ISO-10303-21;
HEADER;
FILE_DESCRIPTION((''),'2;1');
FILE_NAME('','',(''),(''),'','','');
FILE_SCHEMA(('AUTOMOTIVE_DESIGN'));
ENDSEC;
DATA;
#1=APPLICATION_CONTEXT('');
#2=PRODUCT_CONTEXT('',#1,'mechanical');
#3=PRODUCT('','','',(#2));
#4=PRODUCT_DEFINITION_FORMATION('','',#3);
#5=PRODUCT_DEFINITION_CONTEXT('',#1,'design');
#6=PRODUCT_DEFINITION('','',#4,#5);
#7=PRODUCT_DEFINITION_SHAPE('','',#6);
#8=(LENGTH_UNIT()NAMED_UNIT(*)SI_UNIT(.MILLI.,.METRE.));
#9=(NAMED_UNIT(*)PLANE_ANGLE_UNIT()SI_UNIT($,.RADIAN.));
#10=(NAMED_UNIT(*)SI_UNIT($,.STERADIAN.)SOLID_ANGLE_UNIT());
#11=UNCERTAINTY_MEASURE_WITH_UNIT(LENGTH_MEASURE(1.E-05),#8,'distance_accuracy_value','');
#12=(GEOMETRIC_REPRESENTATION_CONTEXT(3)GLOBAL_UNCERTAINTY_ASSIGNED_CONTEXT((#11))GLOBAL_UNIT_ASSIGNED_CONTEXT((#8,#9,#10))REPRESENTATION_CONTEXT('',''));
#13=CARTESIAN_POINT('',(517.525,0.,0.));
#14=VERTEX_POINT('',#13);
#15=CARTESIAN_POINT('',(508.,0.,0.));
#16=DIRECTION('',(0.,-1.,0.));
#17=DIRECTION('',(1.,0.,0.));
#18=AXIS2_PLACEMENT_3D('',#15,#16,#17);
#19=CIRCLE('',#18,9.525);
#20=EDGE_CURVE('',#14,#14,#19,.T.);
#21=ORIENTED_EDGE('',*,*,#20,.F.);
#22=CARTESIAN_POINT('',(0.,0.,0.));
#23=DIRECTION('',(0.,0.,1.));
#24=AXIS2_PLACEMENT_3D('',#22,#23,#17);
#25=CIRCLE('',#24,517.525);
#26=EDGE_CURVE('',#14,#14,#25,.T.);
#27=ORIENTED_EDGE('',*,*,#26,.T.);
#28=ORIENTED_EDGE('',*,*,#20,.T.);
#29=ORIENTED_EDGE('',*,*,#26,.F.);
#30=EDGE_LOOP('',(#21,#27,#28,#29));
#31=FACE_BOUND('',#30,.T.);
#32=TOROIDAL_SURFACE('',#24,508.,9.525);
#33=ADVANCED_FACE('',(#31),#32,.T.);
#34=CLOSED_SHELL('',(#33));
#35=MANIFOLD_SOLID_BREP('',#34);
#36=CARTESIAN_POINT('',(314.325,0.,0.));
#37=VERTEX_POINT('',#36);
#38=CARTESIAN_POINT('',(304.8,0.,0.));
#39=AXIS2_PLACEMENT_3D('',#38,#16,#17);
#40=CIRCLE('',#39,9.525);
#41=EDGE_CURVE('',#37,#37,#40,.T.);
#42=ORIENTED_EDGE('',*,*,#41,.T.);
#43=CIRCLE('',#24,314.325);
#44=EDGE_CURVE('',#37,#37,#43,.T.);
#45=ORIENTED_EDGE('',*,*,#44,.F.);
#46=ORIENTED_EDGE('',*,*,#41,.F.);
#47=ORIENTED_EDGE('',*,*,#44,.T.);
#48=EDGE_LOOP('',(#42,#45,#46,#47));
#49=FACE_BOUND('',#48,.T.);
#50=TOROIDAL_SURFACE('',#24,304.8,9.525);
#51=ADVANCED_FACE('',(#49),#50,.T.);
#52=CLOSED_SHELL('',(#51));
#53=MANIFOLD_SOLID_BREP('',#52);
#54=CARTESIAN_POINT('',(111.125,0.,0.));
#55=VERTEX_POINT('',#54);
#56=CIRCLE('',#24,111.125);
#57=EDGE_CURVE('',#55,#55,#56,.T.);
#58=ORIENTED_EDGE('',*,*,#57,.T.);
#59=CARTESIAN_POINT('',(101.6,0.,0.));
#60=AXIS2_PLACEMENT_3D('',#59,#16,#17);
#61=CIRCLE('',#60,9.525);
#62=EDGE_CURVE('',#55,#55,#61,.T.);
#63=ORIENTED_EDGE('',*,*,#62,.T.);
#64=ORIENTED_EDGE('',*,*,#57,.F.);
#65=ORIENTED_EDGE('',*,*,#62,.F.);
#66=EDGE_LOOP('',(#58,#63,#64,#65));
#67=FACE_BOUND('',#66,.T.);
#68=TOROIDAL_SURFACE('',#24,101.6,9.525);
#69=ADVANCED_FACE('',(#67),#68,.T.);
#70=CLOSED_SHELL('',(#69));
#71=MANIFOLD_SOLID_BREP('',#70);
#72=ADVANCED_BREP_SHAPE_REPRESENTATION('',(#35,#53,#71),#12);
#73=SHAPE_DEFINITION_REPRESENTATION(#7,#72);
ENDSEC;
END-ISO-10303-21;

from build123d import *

# Parameters (mm, degrees)
F0_R = 9.525


with BuildPart() as f1:
    # F0 (on Front) → F1 (revolve)
    with BuildSketch(Plane.XZ):
        with Locations((101.6, 0)):
            Circle(F0_R)
        with Locations((304.8, 0)):
            Circle(F0_R)
        with Locations((508, 0)):
            Circle(F0_R)
    revolve(axis=Axis((0, 0, 33.472188), (0, 0, 1)))


solid = f1.part
